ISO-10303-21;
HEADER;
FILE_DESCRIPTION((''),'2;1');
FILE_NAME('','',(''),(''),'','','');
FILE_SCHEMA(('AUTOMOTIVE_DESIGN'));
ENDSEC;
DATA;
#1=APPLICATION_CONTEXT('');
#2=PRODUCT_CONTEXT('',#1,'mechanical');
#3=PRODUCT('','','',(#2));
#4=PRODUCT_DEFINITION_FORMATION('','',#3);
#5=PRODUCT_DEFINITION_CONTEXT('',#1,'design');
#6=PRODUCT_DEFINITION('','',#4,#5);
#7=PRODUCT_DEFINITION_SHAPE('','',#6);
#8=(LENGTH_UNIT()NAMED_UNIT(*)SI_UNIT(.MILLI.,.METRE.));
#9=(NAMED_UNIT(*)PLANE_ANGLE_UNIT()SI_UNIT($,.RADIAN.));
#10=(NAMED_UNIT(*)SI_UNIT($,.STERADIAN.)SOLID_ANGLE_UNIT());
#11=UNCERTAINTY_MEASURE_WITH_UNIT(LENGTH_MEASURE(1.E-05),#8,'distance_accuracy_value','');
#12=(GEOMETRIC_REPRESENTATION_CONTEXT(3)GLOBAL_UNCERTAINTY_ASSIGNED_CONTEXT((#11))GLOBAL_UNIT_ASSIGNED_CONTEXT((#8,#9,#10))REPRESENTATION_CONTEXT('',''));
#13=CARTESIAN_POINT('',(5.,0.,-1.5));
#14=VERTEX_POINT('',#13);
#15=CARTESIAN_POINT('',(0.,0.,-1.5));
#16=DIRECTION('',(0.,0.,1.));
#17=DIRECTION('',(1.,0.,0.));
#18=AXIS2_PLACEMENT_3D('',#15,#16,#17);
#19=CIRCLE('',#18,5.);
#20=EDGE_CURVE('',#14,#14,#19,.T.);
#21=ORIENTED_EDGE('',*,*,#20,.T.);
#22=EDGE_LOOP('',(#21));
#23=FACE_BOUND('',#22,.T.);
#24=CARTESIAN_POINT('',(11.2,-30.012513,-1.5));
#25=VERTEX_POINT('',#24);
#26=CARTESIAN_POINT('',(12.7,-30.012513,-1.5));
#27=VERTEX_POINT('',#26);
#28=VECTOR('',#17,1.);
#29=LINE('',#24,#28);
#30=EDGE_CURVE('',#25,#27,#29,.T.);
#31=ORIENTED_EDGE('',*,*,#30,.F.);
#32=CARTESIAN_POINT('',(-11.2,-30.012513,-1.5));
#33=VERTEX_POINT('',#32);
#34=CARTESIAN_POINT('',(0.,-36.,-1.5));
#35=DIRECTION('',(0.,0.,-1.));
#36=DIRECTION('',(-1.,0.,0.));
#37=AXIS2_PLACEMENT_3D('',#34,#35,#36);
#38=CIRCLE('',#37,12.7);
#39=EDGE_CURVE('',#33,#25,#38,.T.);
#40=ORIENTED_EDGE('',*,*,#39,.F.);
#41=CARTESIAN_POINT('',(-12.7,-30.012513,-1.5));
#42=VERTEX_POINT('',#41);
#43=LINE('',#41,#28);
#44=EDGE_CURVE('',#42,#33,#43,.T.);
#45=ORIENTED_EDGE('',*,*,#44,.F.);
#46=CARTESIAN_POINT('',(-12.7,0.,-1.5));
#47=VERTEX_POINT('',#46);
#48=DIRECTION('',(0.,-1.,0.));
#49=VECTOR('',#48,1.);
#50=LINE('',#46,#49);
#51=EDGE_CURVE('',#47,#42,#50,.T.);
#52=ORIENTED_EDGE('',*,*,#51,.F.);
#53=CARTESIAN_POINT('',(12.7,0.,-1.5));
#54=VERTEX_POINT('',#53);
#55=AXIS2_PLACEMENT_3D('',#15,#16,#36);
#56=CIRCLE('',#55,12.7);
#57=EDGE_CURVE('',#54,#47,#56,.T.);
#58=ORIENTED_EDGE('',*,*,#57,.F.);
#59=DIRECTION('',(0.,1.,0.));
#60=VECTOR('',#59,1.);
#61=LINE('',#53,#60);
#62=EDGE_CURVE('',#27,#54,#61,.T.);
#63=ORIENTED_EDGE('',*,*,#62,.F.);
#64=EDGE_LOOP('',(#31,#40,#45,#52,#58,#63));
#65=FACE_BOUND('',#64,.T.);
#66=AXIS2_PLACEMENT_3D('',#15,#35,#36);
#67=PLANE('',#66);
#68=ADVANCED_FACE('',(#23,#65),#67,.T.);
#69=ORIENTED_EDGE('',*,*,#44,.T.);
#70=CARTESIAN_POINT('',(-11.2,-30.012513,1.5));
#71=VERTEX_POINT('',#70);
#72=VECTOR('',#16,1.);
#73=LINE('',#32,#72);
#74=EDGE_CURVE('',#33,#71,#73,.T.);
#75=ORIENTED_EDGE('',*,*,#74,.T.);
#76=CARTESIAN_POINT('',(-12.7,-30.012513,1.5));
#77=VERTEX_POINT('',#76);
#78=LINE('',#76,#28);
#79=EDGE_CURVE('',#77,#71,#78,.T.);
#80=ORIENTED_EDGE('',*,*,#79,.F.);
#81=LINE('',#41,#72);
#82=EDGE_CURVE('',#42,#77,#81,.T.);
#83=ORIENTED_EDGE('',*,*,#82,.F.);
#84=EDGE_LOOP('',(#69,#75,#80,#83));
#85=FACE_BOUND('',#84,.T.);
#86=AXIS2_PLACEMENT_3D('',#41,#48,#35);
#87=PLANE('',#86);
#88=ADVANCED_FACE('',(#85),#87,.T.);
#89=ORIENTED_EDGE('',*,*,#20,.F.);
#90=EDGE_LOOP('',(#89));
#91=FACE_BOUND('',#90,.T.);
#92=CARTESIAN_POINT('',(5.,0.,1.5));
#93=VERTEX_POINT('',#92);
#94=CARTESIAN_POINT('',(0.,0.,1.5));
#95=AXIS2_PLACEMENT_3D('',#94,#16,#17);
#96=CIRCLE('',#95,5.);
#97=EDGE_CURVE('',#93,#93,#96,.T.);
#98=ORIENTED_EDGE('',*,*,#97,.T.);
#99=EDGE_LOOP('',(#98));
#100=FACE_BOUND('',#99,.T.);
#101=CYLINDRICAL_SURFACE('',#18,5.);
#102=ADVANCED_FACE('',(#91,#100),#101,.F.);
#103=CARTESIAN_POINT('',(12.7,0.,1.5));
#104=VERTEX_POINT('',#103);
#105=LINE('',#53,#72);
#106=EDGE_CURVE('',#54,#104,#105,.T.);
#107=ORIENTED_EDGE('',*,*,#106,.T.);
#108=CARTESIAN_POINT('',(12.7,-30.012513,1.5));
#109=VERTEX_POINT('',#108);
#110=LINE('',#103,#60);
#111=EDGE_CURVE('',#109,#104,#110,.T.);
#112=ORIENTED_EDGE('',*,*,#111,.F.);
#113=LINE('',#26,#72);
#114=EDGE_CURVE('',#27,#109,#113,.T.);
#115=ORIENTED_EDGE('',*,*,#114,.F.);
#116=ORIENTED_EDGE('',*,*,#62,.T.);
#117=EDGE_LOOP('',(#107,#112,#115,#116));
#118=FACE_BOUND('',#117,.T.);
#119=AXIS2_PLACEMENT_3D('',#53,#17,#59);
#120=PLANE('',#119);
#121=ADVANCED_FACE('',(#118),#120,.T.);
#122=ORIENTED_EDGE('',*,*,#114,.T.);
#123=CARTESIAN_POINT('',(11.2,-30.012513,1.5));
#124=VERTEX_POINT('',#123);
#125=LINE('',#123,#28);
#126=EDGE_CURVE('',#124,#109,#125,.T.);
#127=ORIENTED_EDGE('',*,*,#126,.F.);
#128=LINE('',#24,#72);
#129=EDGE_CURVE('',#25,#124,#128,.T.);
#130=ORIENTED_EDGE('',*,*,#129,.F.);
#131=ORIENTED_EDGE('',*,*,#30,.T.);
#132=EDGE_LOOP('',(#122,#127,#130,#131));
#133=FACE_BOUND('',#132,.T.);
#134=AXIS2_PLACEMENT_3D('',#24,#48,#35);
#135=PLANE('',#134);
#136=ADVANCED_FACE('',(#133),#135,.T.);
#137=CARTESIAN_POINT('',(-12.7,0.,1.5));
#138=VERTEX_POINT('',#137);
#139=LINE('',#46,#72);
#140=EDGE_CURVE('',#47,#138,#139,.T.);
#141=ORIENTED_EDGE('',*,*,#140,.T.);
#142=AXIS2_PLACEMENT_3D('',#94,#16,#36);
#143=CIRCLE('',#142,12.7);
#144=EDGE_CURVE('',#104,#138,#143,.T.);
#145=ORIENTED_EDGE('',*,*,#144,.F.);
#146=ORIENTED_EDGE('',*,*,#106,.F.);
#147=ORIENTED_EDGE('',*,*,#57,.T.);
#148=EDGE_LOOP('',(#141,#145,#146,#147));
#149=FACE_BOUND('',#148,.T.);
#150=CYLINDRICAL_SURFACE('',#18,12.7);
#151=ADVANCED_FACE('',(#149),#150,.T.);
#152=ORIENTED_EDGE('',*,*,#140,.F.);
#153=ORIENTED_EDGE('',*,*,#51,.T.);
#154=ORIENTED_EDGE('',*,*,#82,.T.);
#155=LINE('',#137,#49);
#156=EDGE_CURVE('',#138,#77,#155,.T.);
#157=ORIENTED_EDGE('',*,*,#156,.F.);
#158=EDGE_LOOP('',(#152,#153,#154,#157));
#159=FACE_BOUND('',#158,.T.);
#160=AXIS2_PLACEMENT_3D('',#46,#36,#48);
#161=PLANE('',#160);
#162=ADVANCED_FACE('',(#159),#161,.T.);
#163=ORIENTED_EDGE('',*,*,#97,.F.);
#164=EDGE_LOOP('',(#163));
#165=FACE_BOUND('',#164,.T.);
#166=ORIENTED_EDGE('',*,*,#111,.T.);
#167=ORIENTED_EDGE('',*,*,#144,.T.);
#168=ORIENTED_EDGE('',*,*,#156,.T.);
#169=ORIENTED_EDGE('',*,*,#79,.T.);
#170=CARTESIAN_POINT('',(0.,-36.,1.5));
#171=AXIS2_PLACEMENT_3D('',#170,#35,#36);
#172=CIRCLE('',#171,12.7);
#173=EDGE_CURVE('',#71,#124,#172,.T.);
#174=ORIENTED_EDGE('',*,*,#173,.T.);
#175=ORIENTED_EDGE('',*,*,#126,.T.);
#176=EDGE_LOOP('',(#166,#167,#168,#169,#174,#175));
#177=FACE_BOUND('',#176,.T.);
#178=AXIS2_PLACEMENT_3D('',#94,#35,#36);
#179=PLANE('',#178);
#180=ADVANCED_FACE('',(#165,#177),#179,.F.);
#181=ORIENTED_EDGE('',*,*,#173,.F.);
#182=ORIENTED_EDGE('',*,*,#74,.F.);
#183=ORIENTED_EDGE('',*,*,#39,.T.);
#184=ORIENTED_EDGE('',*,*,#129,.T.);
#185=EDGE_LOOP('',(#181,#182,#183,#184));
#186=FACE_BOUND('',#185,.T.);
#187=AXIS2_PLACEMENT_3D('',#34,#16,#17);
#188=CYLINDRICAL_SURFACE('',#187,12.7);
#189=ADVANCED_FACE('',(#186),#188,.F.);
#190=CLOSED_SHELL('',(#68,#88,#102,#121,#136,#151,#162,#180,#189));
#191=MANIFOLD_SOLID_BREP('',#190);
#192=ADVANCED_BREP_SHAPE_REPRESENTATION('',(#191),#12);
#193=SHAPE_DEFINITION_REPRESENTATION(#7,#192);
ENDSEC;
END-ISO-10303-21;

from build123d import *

# Parameters (mm, degrees)
BOSS_EXTRUDE1_DEPTH      = 1.5
BOSS_EXTRUDE1_DEPTH_BACK = 1.5
SKETCH1_R                = 5


with BuildPart() as part:
    # Sketch1 → Boss-Extrude1 (new, two sides: drawn at the far end of the back side and taken through both)
    with BuildSketch(Plane.XY.offset(-BOSS_EXTRUDE1_DEPTH_BACK)):
        with BuildLine():
            Line((-12.7, 0), (-12.7, -30.012513048))
            Line((-12.7, -30.012513048), (-11.2, -30.012513048))
            ThreePointArc((-11.2, -30.012513048), (0, -23.3), (11.2, -30.012513048))
            Line((11.2, -30.012513048), (12.7, -30.012513048))
            Line((12.7, -30.012513048), (12.7, 0))
            ThreePointArc((12.7, 0), (0, 12.7), (-12.7, 0))
        make_face()
        Circle(SKETCH1_R, mode=Mode.SUBTRACT)
    extrude(amount=BOSS_EXTRUDE1_DEPTH + BOSS_EXTRUDE1_DEPTH_BACK)


solid = part.part
